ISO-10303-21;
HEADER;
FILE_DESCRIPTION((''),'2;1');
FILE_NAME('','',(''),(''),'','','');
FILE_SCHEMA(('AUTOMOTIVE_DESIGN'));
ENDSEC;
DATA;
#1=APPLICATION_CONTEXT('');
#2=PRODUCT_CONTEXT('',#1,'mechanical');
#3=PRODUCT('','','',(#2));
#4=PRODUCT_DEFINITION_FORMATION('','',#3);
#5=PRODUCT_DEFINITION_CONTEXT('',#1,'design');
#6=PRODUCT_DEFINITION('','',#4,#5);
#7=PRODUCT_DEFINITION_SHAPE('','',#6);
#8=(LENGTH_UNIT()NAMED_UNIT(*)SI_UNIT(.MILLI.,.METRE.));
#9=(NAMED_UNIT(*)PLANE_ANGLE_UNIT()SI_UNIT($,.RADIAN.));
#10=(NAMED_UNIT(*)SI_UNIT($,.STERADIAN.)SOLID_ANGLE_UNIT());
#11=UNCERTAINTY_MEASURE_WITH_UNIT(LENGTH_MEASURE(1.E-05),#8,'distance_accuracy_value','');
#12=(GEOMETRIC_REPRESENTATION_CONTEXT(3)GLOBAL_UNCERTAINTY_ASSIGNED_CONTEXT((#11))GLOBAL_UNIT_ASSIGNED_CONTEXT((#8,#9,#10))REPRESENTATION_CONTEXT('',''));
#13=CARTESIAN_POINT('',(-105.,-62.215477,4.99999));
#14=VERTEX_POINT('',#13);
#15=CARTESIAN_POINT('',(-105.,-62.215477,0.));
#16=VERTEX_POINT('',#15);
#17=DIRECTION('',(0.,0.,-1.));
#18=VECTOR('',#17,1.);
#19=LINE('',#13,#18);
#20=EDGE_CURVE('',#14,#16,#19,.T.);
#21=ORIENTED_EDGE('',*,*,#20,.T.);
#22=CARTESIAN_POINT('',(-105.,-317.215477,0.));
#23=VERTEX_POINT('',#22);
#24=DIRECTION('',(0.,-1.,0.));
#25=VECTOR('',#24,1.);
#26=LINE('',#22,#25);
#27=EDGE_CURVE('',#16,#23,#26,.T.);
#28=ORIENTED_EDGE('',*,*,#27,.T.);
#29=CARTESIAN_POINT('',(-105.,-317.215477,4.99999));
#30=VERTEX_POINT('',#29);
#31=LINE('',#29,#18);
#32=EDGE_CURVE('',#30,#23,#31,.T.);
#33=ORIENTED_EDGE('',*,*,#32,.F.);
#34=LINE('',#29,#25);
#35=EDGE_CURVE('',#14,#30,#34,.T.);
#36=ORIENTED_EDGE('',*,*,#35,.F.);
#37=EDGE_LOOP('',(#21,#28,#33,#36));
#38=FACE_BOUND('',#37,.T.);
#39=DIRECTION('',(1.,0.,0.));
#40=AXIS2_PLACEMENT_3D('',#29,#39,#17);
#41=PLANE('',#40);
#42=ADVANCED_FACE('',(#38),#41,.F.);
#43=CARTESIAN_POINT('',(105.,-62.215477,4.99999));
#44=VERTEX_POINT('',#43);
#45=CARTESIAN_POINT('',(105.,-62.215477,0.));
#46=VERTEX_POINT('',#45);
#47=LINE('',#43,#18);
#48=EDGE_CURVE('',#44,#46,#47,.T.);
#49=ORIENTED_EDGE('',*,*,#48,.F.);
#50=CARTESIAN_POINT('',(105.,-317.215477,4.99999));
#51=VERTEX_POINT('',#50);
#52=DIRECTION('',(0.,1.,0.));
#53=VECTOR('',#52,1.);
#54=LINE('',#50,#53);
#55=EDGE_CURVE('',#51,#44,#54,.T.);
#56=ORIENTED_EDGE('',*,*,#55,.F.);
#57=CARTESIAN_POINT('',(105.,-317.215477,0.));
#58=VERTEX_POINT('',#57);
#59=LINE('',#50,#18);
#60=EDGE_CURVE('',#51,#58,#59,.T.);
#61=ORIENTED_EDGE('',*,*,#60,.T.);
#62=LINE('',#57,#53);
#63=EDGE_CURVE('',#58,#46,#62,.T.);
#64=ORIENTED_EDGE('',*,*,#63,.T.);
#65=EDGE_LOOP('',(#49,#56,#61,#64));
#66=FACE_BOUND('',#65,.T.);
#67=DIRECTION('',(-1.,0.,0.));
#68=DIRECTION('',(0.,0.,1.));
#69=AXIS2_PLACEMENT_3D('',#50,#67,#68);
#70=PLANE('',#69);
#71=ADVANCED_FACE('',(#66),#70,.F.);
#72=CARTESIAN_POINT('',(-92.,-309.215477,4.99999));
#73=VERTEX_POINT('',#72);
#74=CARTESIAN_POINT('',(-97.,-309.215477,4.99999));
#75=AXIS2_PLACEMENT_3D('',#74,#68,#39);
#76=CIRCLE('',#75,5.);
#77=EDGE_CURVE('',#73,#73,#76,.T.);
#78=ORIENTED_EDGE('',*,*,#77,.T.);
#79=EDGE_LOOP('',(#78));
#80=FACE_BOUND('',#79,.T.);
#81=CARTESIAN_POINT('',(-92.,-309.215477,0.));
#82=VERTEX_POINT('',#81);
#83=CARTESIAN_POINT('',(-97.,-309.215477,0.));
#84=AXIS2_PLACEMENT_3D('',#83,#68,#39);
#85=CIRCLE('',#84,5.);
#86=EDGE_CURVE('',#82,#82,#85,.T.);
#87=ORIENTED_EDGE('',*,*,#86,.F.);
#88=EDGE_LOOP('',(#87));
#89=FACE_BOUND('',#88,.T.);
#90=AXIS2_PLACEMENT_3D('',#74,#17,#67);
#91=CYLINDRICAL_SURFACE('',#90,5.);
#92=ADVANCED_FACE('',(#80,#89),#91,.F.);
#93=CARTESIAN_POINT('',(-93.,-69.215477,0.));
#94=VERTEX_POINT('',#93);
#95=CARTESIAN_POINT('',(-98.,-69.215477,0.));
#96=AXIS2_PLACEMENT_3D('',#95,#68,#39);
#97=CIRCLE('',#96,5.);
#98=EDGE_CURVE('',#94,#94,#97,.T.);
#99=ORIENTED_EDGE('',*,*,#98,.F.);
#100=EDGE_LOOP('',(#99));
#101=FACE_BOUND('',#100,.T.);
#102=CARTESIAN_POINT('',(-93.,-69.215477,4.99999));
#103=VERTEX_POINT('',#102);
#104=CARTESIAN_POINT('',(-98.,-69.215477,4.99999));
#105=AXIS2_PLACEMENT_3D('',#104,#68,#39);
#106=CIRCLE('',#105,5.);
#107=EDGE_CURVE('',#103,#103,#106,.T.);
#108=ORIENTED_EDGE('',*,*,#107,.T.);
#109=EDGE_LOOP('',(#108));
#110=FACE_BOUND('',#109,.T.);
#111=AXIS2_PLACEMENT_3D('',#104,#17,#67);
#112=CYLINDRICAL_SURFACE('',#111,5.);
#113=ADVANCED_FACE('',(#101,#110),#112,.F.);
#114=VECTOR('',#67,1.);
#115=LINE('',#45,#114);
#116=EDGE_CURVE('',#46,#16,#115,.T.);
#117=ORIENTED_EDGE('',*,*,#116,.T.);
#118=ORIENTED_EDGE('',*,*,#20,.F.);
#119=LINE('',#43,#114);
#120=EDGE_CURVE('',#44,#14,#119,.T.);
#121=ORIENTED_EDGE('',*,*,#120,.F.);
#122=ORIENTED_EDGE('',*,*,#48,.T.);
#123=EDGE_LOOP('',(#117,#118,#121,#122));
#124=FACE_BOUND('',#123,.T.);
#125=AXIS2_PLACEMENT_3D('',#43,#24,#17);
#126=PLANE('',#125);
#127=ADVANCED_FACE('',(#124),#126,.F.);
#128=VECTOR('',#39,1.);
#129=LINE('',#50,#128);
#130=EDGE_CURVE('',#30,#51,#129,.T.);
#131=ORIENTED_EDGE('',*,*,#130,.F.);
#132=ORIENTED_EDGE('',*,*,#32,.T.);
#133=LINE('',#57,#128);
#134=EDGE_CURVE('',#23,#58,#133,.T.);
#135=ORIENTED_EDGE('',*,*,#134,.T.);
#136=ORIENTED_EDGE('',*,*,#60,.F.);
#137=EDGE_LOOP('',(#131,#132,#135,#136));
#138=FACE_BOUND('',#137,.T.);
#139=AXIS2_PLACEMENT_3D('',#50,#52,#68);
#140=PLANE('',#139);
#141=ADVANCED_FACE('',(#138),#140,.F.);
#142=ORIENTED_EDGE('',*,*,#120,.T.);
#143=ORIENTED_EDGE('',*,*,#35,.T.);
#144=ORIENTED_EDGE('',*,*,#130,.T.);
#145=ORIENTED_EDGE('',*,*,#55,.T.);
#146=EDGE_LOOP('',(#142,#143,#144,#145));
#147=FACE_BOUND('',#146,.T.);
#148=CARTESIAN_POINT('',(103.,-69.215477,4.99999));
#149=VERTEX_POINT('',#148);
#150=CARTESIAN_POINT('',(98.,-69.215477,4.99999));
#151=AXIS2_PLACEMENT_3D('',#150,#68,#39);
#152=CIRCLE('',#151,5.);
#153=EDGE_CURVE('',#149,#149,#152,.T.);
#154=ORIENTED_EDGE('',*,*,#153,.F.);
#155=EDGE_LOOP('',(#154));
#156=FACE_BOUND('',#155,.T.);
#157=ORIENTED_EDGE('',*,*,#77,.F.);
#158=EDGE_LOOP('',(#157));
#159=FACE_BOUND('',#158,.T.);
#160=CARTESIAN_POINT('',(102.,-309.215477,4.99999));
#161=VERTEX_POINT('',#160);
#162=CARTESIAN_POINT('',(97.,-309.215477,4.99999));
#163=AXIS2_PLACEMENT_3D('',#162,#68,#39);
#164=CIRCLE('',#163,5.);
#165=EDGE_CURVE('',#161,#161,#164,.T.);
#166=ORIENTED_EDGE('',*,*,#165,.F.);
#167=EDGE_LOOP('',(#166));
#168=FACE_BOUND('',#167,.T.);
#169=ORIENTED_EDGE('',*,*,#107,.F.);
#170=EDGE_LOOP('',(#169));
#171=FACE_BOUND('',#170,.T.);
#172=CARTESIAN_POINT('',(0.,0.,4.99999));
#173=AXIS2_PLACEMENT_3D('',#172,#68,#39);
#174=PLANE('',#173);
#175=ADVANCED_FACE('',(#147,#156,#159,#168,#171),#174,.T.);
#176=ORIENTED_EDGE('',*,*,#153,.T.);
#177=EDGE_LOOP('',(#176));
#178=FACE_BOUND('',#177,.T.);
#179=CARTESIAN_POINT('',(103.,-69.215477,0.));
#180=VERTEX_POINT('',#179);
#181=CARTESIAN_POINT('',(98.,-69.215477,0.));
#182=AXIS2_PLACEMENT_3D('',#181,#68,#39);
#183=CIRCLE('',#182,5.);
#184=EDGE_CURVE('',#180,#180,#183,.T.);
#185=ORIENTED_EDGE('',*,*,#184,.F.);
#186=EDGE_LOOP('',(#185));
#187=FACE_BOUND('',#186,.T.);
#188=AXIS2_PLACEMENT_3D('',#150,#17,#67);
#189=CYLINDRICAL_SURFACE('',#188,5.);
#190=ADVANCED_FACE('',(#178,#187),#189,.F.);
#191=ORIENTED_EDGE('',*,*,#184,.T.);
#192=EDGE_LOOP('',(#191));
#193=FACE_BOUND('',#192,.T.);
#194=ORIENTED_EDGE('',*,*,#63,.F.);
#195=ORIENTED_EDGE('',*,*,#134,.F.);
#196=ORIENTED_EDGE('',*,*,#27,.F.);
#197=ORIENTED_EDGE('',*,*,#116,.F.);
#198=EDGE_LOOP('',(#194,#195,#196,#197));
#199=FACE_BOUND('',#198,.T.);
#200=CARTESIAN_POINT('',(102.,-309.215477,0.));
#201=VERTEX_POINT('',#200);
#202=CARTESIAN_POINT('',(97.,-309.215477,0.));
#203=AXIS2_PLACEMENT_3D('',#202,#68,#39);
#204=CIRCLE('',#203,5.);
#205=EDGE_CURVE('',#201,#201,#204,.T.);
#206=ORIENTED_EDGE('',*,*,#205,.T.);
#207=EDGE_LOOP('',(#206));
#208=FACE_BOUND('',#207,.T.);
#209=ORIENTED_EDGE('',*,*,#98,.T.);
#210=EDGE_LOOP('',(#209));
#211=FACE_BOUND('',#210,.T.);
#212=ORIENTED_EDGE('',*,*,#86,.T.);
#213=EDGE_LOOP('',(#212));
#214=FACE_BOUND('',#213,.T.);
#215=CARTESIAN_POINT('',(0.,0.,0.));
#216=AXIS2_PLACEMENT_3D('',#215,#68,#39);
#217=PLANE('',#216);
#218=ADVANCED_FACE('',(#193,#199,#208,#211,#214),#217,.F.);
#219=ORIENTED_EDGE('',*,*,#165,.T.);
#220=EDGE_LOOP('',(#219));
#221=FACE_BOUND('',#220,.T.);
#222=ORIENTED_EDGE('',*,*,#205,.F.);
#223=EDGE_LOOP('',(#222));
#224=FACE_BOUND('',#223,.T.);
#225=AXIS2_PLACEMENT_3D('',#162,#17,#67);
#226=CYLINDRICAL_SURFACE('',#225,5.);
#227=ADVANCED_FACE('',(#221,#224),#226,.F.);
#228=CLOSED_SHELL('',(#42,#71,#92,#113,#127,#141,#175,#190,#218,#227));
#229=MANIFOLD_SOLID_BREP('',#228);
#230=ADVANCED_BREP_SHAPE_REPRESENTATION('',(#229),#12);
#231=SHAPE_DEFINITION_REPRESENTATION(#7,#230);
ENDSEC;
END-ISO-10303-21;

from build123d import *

# Parameters (mm, degrees)
CROQUIS1_W              = 210
CROQUIS1_H              = 255
CROQUIS1_R              = 5
SALIENTE_EXTRUIR1_DEPTH = 4.99999


with BuildPart() as part:
    # Croquis1 → Saliente-Extruir1 (new body)
    with BuildSketch(Plane.XY):
        with Locations((0, -189.715476502)):
            Rectangle(CROQUIS1_W, CROQUIS1_H)
        with Locations((-97, -309.215476502)):
            Circle(CROQUIS1_R, mode=Mode.SUBTRACT)
        with Locations((97, -309.215476502)):
            Circle(CROQUIS1_R, mode=Mode.SUBTRACT)
        with Locations((98, -69.215476502)):
            Circle(CROQUIS1_R, mode=Mode.SUBTRACT)
        with Locations((-98, -69.215476502)):
            Circle(CROQUIS1_R, mode=Mode.SUBTRACT)
    extrude(amount=SALIENTE_EXTRUIR1_DEPTH)


solid = part.part
